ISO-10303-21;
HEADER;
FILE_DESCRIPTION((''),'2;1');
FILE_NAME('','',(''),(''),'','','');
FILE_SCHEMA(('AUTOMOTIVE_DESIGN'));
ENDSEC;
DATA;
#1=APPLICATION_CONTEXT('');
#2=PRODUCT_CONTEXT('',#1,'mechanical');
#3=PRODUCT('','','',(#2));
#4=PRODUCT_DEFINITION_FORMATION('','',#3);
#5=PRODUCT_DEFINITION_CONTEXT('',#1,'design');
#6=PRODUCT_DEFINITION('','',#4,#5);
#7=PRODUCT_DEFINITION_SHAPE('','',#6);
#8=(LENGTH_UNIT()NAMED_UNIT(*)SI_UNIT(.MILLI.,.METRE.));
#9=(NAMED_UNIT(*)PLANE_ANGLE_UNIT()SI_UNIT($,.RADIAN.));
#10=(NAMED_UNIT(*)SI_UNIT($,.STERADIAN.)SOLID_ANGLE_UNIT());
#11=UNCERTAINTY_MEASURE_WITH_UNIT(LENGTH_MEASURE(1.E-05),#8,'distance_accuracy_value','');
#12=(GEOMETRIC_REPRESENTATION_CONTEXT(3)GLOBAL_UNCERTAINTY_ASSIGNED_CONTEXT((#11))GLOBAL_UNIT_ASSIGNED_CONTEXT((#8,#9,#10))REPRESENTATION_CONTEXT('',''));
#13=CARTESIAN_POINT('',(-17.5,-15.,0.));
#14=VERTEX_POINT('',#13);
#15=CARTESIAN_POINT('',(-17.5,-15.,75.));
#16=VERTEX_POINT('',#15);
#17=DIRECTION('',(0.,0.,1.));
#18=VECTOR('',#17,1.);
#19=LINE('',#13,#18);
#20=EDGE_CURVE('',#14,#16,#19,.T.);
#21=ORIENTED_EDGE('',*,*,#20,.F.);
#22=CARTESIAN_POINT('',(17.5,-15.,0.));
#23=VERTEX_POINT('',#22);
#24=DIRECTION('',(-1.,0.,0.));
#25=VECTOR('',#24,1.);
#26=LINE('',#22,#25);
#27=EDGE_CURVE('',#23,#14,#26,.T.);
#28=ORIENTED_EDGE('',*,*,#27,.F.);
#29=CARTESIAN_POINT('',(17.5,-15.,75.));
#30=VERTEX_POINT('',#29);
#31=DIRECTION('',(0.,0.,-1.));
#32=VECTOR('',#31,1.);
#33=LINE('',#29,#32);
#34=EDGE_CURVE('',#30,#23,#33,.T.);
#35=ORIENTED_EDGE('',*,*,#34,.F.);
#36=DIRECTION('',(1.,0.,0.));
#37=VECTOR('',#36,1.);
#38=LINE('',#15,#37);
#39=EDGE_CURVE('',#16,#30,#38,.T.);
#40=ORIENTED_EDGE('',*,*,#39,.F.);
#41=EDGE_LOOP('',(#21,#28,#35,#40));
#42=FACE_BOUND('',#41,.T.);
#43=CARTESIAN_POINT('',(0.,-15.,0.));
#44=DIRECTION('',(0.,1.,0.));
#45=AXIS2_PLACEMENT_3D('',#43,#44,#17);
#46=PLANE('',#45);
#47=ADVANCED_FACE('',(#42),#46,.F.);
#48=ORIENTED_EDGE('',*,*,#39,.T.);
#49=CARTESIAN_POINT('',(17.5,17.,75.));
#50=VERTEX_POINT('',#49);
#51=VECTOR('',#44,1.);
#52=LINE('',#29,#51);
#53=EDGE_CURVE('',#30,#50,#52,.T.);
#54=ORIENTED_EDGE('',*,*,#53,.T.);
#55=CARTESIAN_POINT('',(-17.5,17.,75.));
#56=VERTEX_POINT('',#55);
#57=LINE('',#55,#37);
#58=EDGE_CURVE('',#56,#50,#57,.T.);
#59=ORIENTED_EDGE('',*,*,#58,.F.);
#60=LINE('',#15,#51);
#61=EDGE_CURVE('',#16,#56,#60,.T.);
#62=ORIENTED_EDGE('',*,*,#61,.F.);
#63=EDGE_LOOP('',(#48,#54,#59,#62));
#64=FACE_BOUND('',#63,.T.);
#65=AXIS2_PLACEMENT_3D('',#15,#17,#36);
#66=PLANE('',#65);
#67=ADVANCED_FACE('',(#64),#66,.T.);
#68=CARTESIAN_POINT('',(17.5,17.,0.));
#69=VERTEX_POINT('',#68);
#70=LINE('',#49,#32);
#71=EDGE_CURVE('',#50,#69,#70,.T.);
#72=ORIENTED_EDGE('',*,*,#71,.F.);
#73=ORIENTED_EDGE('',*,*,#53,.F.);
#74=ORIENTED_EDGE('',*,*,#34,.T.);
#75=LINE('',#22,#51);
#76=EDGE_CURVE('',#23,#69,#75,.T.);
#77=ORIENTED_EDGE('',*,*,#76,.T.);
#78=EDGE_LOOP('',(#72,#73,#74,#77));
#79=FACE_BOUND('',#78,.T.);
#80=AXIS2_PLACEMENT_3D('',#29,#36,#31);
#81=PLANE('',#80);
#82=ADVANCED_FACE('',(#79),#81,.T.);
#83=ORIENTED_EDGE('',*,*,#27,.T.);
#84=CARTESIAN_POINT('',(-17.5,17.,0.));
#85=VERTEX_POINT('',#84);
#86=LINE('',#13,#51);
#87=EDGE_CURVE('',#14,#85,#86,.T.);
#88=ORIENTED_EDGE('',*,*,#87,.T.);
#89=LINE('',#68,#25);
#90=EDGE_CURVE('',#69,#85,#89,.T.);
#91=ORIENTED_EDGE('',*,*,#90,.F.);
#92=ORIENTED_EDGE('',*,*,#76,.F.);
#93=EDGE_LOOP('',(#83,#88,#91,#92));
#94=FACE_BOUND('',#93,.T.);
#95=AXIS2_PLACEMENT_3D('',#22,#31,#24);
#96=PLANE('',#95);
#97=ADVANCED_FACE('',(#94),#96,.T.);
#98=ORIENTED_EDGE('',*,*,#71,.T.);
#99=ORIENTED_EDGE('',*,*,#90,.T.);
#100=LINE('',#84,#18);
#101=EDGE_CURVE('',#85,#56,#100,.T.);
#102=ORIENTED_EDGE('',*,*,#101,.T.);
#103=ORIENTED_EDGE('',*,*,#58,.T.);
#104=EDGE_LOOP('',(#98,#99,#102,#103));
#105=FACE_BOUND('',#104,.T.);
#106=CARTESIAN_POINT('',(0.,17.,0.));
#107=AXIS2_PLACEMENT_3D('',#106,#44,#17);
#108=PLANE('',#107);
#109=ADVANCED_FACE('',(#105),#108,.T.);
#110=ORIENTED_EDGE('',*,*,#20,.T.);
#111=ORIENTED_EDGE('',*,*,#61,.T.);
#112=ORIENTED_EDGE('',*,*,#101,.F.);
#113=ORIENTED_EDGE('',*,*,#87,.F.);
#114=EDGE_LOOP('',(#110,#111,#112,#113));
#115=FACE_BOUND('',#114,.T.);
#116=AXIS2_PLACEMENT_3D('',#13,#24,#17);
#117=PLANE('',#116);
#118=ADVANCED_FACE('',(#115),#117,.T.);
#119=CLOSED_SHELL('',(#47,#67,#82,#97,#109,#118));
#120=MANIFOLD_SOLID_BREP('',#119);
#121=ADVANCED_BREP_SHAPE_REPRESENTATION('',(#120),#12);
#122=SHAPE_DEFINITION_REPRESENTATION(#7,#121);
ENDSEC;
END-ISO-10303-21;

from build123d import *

# Parameters (mm, degrees)
SKETCH_1_W      = 35
SKETCH_1_H      = 75
EXTRUDE_1_DEPTH = 32


with BuildPart() as part:
    # Эскиз1 → Бобышка-Вытянуть1 (new body)
    with BuildSketch(Plane(origin=(0, 17, 0), x_dir=(1, 0, 0), z_dir=(0, 1, 0))):
        with Locations((0, -37.5)):
            Rectangle(SKETCH_1_W, SKETCH_1_H)
    extrude(amount=-EXTRUDE_1_DEPTH)


solid = part.part
